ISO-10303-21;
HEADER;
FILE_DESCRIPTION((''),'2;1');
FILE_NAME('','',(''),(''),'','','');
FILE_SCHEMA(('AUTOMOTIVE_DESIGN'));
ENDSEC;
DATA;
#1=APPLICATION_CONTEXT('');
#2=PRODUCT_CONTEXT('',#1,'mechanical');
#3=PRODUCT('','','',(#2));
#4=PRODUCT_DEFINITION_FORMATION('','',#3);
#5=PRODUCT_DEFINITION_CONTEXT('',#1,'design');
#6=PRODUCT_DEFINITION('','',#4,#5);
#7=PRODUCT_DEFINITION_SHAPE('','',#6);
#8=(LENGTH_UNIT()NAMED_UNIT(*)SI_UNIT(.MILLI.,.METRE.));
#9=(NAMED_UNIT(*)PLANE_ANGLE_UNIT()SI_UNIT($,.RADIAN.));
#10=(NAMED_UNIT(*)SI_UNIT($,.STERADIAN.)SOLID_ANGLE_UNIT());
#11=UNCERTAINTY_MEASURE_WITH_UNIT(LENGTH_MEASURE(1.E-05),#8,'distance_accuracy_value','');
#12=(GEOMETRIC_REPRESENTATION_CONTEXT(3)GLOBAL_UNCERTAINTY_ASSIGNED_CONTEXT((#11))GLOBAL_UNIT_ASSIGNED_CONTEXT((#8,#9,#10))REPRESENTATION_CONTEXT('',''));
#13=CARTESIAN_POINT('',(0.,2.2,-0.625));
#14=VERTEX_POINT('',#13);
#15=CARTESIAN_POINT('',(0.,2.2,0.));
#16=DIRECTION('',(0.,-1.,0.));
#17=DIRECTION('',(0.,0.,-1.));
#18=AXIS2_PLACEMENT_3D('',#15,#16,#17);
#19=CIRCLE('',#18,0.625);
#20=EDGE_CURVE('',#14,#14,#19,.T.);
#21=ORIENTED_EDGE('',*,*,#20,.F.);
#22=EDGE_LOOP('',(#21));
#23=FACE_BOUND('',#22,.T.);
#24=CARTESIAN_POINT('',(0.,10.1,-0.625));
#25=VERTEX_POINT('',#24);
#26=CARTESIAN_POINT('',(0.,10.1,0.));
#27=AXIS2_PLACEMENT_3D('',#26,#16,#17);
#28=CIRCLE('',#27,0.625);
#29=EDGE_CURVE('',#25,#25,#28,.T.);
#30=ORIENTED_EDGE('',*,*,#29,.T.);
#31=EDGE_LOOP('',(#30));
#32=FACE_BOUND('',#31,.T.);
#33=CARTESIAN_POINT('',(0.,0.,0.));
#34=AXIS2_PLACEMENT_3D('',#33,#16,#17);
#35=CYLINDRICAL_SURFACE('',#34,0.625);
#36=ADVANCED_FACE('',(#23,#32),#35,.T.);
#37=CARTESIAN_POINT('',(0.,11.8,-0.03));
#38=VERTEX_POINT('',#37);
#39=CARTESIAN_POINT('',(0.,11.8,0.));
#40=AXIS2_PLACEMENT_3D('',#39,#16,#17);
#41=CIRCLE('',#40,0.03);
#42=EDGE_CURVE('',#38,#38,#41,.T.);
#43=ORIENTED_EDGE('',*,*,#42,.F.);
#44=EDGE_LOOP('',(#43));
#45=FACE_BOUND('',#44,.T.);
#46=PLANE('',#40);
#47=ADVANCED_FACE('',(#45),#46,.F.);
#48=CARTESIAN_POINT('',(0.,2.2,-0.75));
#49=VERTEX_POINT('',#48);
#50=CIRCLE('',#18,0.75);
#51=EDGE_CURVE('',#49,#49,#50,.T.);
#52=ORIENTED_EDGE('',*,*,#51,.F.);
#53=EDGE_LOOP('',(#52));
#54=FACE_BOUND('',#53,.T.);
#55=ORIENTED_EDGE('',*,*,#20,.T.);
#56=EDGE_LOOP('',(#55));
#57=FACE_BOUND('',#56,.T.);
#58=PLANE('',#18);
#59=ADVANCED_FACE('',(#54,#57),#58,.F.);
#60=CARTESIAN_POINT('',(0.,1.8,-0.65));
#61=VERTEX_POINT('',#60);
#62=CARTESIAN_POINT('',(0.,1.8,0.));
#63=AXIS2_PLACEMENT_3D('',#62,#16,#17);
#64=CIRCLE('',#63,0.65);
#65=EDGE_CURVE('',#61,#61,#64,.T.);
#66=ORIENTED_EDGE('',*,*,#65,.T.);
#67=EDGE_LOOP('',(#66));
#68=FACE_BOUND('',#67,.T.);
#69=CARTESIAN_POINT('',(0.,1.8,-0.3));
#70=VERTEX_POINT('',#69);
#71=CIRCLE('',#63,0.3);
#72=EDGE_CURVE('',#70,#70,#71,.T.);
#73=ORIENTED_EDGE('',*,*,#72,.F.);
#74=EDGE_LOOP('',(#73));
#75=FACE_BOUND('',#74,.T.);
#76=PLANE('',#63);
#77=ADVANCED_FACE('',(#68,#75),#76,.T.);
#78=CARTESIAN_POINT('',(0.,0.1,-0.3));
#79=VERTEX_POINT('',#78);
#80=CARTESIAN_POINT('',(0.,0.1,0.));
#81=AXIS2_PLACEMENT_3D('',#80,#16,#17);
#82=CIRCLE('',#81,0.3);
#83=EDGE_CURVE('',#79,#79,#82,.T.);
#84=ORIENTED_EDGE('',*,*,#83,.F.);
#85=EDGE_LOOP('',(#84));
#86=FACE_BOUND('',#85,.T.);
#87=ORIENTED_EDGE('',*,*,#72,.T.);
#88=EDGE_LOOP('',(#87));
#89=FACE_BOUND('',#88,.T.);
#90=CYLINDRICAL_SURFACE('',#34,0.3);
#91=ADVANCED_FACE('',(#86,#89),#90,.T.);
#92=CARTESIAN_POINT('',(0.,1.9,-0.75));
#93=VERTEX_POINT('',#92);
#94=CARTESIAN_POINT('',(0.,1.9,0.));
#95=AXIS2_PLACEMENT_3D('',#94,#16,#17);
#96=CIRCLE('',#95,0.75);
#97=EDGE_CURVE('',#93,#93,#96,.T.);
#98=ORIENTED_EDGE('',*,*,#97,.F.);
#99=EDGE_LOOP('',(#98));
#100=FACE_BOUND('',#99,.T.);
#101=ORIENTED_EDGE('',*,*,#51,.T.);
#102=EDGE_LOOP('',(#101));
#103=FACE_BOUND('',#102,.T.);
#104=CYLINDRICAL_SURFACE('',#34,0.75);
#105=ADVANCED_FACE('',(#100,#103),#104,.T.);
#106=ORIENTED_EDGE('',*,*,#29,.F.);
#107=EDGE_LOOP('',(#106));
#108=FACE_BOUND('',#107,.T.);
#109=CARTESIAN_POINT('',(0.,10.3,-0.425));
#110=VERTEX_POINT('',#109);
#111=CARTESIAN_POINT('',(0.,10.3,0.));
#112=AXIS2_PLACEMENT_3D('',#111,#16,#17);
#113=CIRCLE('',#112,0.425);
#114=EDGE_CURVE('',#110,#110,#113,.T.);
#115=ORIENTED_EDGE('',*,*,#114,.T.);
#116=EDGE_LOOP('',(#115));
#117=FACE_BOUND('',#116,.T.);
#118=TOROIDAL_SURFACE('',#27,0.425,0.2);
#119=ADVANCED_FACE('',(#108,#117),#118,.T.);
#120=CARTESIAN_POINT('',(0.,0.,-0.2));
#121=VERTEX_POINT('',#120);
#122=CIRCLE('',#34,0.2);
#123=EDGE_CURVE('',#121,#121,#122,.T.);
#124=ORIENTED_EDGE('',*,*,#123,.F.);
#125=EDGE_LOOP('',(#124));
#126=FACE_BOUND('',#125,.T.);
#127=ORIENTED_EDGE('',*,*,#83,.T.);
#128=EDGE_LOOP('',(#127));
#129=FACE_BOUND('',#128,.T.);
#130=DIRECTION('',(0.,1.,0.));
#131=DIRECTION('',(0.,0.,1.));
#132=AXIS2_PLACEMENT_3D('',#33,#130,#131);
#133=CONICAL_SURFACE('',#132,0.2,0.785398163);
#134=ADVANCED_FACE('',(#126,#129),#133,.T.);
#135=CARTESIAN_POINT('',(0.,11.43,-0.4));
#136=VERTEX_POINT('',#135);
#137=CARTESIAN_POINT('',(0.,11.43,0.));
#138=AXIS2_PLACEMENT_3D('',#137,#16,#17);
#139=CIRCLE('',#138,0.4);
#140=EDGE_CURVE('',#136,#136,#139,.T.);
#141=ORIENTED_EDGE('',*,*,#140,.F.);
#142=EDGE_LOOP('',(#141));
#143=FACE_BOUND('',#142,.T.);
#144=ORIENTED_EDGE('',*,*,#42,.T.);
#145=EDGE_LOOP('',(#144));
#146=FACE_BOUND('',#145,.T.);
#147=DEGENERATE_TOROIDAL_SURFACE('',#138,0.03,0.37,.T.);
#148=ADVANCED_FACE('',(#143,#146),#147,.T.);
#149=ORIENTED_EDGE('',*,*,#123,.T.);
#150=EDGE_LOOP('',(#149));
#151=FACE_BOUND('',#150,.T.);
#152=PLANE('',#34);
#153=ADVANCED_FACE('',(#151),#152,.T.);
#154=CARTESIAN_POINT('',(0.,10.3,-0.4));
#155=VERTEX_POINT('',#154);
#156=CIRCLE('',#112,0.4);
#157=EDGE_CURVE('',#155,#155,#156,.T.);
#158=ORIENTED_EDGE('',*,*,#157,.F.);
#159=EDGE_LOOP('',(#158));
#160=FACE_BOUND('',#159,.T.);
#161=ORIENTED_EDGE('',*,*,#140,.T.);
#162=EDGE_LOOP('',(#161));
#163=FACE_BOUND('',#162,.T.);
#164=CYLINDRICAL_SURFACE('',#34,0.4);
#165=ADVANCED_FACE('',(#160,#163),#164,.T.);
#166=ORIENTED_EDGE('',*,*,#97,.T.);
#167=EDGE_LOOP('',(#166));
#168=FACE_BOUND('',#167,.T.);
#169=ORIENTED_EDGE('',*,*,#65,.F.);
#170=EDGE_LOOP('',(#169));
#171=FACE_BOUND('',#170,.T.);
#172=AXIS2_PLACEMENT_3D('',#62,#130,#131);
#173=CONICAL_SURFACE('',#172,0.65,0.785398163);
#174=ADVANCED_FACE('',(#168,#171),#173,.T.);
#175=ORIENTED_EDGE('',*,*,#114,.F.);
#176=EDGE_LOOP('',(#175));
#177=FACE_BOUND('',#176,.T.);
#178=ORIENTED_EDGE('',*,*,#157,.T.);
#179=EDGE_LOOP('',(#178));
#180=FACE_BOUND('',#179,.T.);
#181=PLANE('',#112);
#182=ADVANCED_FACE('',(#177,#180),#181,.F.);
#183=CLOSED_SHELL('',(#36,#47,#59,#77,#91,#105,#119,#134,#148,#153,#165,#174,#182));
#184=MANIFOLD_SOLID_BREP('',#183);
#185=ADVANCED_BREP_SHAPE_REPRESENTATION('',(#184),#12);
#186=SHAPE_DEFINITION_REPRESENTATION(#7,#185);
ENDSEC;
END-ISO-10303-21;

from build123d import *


with BuildPart() as part:
    # Эскиз1 → Повернуть1 (revolve)
    with BuildSketch(Plane(origin=(0, 0, 0), x_dir=(0, 0, -1), z_dir=(1, 0, 0)), mode=Mode.PRIVATE) as revolve_1_sk:
        Polygon((-0.3, 0.1), (-0.3, 1.8), (0, 1.8), (0, 0), (-0.2, 0), align=None)
        Polygon((-0.65, 1.8), (-0.3, 1.8), (0, 1.8), (0, 2.2), (-0.625, 2.2), (-0.75, 2.2), (-0.75, 1.9), align=None)
        with BuildLine():
            Line((-0.625, 2.2), (0, 2.2))
            Line((0, 2.2), (0, 10.3))
            Line((0, 10.3), (-0.4, 10.3))
            Line((-0.4, 10.3), (-0.425, 10.3))
            ThreePointArc((-0.425, 10.3), (-0.566421356, 10.241421356), (-0.625, 10.1))
            Line((-0.625, 10.1), (-0.625, 2.2))
        make_face()
        with BuildLine():
            Line((-0.4, 10.3), (0, 10.3))
            Line((0, 10.3), (0, 11.8))
            Line((0, 11.8), (-0.03, 11.8))
            ThreePointArc((-0.03, 11.8), (-0.291629509, 11.691629509), (-0.4, 11.43))
            Line((-0.4, 11.43), (-0.4, 10.3))
        make_face()
    revolve(revolve_1_sk.sketch.rotate(Axis((0, 0, 0), (0, 1, 0)), 180), axis=Axis((0, 0, 0), (0, 1, 0)))


solid = part.part
